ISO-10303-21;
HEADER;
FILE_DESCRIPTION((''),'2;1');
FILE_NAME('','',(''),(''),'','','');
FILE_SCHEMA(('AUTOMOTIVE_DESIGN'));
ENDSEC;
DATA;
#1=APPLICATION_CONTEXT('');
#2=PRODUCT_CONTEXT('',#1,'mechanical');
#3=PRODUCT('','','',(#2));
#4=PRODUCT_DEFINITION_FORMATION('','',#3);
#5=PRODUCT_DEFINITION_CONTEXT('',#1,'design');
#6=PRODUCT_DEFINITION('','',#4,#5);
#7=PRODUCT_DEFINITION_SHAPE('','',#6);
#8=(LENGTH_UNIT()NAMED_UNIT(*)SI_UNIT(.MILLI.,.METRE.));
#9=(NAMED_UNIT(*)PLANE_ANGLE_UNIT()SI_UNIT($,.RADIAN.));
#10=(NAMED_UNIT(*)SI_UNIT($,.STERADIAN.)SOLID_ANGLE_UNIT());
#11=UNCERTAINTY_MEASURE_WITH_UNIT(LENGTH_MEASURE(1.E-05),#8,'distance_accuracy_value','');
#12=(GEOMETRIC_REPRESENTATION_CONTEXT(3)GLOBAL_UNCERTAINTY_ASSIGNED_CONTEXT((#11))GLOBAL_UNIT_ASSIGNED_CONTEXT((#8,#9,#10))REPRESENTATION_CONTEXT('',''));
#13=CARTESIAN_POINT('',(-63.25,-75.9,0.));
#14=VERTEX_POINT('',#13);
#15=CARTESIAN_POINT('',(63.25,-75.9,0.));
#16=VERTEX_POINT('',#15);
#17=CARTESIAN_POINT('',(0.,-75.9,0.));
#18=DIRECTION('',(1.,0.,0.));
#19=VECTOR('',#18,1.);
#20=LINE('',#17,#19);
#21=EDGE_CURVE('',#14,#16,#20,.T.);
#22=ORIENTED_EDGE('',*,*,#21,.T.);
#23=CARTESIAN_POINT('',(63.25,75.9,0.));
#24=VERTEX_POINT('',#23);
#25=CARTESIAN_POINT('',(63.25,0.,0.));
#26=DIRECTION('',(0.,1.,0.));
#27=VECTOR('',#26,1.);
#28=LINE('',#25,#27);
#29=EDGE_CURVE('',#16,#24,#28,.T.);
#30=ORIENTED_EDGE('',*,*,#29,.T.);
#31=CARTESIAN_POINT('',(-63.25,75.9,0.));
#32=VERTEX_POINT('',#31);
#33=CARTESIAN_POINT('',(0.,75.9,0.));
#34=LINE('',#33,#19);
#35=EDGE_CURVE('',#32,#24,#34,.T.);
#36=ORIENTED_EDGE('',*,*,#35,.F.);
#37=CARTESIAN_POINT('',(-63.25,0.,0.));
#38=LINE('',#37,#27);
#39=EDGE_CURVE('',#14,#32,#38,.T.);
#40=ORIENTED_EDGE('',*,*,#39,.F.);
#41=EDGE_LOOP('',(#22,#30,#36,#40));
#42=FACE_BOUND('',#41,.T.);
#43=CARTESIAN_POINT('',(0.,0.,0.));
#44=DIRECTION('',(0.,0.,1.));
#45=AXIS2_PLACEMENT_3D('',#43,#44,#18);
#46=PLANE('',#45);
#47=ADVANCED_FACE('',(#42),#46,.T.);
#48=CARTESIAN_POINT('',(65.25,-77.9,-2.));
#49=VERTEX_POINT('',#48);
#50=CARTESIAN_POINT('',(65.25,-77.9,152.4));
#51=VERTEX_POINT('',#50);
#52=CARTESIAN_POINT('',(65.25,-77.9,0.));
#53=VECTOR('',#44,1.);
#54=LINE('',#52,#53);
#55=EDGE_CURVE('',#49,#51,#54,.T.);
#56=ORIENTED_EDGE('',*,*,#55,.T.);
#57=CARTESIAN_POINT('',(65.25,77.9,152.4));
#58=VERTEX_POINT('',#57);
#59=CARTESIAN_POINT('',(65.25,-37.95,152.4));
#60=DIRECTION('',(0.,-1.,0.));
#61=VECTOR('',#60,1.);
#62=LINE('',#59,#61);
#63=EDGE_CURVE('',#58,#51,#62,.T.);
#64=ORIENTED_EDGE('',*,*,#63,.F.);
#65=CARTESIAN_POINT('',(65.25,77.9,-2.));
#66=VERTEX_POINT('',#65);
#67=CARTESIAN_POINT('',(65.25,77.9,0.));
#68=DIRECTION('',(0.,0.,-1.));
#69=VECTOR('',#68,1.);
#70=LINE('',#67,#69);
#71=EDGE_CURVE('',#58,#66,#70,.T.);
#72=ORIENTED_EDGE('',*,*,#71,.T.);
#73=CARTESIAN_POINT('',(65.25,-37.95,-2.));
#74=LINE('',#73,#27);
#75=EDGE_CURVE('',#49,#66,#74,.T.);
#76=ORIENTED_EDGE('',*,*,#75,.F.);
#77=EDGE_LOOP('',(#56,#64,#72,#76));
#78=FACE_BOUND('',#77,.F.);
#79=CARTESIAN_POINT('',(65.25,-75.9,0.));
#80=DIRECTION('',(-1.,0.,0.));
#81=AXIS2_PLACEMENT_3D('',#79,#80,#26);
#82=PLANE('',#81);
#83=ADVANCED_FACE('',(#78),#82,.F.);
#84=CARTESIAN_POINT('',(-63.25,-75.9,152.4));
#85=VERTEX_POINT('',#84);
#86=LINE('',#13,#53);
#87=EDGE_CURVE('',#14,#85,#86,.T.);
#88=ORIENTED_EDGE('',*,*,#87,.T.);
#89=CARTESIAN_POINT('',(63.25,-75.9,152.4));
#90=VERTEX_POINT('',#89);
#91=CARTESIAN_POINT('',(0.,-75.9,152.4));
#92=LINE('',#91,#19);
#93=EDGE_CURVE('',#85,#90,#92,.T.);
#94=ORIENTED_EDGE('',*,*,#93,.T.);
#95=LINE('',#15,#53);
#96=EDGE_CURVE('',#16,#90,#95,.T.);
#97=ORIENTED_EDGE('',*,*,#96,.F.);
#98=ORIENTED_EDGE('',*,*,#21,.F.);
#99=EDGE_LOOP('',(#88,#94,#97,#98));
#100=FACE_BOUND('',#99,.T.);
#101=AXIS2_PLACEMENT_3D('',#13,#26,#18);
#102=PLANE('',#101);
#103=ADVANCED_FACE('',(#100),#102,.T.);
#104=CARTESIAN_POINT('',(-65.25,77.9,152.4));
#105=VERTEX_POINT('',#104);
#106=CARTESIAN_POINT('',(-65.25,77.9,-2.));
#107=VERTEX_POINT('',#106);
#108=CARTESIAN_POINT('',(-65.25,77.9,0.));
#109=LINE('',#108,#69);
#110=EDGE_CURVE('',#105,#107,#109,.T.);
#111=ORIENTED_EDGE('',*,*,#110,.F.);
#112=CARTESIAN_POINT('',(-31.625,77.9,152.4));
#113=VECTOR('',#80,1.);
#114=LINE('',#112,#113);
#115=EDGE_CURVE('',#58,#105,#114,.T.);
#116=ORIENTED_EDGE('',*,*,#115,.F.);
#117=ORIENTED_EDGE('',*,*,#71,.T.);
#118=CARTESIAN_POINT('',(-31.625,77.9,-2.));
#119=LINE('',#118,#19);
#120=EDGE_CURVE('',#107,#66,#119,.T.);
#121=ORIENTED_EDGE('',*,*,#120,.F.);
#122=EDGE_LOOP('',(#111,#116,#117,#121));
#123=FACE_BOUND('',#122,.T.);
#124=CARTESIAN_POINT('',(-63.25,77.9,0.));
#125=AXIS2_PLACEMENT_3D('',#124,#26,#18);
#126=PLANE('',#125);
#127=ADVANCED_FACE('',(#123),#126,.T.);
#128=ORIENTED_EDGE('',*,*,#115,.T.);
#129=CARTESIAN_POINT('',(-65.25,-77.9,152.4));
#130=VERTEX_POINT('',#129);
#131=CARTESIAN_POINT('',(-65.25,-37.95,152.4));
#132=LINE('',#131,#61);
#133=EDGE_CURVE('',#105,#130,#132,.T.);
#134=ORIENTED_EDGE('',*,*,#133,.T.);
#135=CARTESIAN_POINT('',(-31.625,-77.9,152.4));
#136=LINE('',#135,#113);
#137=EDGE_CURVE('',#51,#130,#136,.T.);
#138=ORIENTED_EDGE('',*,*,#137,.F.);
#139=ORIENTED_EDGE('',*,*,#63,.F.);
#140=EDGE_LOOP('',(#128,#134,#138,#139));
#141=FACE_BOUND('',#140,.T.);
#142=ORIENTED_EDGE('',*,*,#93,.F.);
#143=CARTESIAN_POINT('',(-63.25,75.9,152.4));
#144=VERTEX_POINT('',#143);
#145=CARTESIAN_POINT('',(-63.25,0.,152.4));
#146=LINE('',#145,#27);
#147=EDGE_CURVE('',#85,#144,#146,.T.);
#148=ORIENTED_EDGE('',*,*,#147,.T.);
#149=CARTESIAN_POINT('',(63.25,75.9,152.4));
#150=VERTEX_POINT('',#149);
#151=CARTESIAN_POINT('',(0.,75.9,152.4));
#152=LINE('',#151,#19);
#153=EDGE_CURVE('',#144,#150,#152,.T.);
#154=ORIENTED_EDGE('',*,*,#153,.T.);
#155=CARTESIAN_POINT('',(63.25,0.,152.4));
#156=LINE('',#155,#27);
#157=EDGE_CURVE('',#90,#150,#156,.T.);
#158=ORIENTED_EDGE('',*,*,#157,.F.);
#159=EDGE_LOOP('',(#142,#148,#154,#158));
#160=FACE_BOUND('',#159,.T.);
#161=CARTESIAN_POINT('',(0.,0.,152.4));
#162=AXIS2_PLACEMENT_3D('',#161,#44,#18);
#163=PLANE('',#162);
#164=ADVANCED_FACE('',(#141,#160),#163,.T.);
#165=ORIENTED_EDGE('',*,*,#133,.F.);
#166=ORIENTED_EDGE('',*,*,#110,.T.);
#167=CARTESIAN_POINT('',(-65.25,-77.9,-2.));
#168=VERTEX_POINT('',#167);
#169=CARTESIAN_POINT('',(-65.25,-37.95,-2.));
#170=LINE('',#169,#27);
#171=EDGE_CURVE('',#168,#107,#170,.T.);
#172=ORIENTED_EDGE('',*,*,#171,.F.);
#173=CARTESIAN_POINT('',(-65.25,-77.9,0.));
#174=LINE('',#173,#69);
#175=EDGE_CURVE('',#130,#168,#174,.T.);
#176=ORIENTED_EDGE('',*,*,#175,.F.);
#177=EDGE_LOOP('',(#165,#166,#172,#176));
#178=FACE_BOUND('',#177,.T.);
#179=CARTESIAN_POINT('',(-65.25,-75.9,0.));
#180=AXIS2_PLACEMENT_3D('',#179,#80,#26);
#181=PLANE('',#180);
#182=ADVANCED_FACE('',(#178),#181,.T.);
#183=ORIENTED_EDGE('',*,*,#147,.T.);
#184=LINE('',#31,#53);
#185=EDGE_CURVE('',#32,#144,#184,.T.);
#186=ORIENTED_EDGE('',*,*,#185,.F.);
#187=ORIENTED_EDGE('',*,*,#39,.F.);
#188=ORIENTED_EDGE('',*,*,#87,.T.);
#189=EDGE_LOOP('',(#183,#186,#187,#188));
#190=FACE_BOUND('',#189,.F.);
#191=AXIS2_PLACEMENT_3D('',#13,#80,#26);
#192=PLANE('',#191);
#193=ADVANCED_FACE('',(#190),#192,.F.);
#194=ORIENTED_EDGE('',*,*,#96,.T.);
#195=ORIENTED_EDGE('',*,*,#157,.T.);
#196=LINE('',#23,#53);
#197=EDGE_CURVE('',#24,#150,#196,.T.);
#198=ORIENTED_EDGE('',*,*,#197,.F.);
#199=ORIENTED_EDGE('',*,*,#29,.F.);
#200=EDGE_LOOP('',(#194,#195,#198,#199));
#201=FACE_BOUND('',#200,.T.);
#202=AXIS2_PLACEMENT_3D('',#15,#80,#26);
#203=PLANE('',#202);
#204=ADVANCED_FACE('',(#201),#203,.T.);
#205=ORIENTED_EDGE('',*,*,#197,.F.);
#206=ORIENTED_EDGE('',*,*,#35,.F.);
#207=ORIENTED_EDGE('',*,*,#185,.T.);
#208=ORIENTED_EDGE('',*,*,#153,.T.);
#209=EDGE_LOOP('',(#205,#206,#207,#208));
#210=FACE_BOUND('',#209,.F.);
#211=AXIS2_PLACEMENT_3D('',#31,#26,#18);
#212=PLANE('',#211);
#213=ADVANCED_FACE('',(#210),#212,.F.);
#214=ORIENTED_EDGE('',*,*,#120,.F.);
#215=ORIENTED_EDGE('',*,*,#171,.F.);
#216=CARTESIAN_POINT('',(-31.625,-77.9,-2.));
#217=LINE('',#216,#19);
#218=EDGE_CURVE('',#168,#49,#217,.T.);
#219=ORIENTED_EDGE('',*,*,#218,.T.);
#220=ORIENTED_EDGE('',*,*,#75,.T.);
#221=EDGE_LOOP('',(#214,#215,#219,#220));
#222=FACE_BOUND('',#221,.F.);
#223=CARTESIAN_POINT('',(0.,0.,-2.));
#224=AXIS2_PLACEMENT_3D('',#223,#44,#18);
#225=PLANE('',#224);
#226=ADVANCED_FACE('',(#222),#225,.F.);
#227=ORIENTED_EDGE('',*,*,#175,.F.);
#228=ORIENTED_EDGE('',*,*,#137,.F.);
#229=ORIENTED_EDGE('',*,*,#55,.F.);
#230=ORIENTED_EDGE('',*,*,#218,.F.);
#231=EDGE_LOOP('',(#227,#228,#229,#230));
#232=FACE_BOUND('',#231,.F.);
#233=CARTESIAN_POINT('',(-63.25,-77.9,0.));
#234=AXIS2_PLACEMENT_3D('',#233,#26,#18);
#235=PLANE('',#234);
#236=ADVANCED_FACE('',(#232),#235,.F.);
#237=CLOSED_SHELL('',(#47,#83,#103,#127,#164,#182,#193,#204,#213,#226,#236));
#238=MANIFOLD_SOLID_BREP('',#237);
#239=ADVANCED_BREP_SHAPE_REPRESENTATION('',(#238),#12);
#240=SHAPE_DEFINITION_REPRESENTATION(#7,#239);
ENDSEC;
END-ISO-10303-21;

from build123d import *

# Parameters (mm, degrees)
F0_W     = 126.5
F0_H     = 151.8
F1_DEPTH = 152.4
F2_T     = 2


with BuildPart() as f1:
    # F0 (on Top) → F1 (new body)
    with BuildSketch(Plane.XY):
        Rectangle(F0_W, F0_H)
    extrude(amount=F1_DEPTH)

    # F2
    f2_openings = [f1.faces().sort_by_distance(p)[0] for p in [
        (0, 0, 152.4),
    ]]
    offset(amount=F2_T, openings=f2_openings, kind=Kind.INTERSECTION)


solid = f1.part
